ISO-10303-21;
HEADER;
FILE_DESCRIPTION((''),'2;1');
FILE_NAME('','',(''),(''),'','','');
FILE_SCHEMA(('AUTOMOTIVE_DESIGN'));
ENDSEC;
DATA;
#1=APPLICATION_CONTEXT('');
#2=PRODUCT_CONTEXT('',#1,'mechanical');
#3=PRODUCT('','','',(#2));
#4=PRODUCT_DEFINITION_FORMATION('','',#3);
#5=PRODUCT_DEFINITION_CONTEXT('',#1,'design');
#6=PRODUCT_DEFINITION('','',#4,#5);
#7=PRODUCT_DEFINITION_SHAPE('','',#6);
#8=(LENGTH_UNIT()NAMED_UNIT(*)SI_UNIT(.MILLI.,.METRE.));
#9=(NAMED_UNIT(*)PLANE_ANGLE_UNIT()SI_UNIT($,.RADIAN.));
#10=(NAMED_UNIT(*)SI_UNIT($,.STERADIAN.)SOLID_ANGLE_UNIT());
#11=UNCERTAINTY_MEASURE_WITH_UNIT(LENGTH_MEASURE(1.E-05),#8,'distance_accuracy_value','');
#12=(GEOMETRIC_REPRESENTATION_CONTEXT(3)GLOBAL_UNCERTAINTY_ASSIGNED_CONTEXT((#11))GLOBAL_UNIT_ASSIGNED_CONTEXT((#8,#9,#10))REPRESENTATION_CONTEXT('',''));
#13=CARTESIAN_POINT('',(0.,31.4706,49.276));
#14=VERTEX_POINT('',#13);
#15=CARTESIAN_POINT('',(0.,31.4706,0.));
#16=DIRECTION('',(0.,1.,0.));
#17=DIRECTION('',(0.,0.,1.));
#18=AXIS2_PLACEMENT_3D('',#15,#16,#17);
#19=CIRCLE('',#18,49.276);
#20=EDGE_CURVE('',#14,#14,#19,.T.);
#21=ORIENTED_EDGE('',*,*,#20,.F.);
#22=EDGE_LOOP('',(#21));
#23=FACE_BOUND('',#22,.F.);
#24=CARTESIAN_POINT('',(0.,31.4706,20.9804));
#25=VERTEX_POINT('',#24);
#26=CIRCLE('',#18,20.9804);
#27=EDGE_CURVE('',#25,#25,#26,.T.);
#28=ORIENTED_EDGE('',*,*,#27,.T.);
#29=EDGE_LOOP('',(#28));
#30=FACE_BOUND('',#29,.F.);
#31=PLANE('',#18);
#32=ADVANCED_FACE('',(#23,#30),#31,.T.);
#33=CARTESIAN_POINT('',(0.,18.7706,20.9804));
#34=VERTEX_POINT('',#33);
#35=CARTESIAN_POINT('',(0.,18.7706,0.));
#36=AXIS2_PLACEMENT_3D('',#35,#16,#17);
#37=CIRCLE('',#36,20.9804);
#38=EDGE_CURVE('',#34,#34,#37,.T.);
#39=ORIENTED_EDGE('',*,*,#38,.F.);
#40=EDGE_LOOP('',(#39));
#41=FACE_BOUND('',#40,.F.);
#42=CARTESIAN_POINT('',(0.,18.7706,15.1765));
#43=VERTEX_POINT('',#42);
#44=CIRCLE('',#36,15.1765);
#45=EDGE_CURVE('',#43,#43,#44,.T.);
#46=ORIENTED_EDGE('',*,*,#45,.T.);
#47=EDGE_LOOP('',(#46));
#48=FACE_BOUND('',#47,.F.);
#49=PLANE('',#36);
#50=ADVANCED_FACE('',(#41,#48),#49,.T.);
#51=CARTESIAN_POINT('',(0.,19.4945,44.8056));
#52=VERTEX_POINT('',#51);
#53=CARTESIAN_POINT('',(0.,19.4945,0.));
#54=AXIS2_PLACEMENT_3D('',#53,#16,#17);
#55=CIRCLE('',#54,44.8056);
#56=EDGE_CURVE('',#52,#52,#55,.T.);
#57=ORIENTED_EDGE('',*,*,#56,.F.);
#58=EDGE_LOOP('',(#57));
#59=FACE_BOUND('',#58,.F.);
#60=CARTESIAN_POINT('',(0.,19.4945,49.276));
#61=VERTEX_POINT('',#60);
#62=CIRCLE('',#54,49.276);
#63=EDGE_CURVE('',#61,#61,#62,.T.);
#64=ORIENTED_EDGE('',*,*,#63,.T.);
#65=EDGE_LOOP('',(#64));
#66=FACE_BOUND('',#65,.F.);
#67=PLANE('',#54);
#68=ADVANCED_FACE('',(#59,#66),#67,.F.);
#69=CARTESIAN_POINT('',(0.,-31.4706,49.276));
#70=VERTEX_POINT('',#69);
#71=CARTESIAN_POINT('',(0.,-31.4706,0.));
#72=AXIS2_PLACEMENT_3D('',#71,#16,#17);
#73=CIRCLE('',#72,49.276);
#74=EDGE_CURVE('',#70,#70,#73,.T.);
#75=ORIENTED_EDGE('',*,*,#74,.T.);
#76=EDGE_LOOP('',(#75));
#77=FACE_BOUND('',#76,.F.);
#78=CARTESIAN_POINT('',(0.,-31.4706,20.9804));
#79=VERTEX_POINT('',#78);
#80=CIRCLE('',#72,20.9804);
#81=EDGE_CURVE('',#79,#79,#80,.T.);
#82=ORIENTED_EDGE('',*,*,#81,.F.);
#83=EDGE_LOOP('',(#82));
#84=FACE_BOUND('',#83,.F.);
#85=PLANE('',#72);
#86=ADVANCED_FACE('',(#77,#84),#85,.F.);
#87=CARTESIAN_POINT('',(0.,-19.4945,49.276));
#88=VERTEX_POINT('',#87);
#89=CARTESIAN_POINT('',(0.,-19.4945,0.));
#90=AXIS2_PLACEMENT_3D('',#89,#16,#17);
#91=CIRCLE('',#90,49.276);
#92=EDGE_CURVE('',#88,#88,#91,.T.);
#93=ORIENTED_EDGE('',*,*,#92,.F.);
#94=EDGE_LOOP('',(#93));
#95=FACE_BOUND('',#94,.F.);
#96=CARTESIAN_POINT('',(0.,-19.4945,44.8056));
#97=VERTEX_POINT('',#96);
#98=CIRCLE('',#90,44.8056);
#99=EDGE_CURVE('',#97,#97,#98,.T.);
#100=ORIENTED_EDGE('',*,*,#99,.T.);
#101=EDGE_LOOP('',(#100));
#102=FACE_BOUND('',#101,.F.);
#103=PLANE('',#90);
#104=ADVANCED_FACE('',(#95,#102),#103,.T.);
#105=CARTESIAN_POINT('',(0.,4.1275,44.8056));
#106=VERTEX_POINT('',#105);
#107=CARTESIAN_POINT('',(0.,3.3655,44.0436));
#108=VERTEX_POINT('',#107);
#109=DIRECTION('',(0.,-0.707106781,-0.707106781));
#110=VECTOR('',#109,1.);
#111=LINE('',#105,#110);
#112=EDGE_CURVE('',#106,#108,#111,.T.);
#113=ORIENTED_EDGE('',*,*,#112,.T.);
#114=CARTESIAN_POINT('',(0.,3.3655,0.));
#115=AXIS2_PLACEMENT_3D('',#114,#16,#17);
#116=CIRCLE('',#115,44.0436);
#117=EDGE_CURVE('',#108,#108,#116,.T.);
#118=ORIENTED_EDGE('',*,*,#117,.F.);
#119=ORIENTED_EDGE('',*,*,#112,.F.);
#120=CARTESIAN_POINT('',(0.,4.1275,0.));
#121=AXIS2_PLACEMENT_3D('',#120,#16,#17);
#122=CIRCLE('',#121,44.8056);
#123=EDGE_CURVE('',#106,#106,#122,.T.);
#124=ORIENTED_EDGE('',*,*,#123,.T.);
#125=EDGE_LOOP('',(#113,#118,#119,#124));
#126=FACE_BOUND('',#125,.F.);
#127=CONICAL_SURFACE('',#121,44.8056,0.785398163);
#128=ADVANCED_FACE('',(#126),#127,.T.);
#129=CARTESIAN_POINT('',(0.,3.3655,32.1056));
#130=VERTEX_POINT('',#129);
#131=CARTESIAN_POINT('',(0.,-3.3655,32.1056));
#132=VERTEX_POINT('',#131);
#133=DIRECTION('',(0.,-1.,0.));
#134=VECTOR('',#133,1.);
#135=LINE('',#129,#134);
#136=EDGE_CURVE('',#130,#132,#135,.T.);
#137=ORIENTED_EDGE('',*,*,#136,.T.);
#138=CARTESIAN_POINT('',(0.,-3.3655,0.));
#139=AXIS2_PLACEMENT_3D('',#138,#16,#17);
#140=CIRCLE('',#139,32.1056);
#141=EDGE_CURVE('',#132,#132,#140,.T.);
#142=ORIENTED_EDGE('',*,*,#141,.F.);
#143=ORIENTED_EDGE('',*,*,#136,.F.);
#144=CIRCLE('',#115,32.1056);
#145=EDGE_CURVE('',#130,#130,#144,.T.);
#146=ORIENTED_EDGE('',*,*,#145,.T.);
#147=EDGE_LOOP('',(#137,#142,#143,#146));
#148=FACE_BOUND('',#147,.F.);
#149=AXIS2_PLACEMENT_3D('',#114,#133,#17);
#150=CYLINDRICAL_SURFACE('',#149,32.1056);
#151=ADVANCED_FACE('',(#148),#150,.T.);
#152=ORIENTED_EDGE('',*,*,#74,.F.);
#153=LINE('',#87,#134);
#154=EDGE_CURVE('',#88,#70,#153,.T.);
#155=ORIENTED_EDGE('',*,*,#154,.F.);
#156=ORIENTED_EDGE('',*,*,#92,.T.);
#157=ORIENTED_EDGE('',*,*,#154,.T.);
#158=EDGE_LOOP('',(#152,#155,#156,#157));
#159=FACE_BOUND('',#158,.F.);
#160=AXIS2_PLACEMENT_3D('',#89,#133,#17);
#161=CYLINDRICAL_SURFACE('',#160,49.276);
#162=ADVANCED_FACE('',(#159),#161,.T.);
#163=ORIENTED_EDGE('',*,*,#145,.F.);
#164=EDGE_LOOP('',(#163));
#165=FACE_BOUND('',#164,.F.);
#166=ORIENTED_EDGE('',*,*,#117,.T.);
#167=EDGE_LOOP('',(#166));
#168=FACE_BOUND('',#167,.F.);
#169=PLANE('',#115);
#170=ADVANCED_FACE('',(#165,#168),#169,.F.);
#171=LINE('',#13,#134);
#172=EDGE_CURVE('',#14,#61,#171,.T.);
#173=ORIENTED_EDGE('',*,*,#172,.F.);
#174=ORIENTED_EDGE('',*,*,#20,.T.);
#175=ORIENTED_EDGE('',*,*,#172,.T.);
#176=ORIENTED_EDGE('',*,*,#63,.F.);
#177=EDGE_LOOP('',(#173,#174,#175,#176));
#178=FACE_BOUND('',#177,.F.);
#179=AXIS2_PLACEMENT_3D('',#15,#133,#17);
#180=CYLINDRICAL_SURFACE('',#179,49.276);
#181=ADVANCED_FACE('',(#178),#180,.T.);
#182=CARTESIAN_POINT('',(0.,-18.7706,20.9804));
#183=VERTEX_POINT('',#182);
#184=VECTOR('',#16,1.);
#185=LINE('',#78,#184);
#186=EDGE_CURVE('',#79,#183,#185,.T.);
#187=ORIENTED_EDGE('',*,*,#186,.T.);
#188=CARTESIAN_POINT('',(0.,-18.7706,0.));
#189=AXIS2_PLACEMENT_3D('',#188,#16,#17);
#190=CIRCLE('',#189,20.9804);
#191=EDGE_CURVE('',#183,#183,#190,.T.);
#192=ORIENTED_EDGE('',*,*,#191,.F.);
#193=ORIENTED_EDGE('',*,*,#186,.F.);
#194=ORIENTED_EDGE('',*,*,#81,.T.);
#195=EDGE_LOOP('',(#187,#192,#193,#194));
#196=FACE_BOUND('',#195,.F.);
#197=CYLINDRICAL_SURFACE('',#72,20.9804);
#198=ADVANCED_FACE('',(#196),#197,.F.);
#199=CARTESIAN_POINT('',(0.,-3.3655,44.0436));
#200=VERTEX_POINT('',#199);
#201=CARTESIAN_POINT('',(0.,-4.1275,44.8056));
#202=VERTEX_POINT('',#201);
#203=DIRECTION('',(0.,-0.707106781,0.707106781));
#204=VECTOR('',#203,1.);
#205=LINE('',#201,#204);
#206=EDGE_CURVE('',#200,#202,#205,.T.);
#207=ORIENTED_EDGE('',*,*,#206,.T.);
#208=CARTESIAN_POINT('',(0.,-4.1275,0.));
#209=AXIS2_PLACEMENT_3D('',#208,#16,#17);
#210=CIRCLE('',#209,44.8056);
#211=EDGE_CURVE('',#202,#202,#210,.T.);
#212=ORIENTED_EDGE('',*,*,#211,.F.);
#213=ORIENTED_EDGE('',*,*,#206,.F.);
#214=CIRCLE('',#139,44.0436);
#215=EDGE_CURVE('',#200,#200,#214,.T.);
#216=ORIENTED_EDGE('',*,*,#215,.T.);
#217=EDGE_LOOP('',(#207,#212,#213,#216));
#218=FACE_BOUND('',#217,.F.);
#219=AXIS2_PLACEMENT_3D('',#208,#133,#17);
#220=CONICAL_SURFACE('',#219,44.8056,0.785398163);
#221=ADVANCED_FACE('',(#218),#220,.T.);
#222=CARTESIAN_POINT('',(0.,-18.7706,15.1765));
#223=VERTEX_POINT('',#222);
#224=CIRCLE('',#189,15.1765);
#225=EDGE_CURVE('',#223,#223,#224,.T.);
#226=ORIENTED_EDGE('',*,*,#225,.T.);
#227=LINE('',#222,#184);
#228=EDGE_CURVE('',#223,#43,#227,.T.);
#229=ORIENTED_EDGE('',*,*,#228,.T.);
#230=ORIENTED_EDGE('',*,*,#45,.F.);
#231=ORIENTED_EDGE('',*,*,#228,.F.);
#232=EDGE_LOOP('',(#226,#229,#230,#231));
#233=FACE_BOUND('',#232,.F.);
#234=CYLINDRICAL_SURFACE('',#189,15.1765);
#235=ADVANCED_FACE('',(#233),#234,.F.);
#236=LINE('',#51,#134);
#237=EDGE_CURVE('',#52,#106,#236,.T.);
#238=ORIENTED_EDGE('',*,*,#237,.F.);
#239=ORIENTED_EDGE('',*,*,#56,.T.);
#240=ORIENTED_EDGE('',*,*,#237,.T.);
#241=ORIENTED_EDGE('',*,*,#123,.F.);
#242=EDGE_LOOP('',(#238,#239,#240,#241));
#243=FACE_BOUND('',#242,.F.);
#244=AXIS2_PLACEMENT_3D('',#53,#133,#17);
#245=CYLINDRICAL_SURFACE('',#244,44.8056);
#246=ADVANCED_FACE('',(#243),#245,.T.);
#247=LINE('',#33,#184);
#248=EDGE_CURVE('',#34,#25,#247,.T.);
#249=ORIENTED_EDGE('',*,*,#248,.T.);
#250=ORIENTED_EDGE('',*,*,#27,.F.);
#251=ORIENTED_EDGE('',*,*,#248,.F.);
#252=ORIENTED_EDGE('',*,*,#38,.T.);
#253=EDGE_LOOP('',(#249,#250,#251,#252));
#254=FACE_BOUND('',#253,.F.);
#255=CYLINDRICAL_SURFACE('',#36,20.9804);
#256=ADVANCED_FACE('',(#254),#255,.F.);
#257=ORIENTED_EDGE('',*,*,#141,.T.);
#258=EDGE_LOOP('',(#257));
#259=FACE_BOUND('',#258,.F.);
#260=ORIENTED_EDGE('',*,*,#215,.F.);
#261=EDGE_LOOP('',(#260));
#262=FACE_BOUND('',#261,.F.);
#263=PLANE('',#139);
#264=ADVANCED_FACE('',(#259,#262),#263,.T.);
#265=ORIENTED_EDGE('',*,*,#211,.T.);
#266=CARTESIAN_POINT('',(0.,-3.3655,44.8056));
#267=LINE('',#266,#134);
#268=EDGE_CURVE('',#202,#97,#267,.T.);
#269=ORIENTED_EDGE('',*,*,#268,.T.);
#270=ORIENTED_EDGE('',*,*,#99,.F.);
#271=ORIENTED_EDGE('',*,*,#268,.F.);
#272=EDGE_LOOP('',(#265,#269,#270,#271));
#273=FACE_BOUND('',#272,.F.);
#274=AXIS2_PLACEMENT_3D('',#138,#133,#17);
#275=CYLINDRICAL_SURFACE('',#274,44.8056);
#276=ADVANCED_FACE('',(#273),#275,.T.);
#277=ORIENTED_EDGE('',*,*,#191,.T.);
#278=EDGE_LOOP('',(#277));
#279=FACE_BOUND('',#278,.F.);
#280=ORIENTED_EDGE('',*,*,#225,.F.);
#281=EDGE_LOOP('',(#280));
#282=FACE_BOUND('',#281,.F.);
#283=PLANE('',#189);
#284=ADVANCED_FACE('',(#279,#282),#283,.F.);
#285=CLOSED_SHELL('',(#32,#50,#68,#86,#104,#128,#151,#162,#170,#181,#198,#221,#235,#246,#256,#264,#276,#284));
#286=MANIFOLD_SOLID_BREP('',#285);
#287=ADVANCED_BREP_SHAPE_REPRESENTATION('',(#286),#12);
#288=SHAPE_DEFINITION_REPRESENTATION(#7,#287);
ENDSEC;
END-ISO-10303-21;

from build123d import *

# Parameters (mm, degrees)
F2_SIZE = 0.762


with BuildPart() as f1:
    # F0 (on Right) → F1 (revolve)
    with BuildSketch(Plane.YZ):
        Polygon((-18.7706, 15.1765), (0, 15.1765), (18.7706, 15.1765), (18.7706, 20.9804), (31.4706, 20.9804), (31.4706, 49.276), (19.4945, 49.276), (19.4945, 44.8056), (3.3655, 44.8056), (3.3655, 32.1056), (-3.3655, 32.1056), (-3.3655, 44.8056), (-19.4945, 44.8056), (-19.4945, 49.276), (-31.4706, 49.276), (-31.4706, 20.9804), (-18.7706, 20.9804), align=None)
    revolve(axis=Axis((0, -0.984378, 0), (0, 1, 0)))

    # F2
    f2_edges = [f1.edges().sort_by_distance(p)[0] for p in [
        (0, 3.3655, -44.8056),
        (0, -3.3655, -44.8056),
    ]]
    chamfer(f2_edges, length=F2_SIZE)


solid = f1.part
